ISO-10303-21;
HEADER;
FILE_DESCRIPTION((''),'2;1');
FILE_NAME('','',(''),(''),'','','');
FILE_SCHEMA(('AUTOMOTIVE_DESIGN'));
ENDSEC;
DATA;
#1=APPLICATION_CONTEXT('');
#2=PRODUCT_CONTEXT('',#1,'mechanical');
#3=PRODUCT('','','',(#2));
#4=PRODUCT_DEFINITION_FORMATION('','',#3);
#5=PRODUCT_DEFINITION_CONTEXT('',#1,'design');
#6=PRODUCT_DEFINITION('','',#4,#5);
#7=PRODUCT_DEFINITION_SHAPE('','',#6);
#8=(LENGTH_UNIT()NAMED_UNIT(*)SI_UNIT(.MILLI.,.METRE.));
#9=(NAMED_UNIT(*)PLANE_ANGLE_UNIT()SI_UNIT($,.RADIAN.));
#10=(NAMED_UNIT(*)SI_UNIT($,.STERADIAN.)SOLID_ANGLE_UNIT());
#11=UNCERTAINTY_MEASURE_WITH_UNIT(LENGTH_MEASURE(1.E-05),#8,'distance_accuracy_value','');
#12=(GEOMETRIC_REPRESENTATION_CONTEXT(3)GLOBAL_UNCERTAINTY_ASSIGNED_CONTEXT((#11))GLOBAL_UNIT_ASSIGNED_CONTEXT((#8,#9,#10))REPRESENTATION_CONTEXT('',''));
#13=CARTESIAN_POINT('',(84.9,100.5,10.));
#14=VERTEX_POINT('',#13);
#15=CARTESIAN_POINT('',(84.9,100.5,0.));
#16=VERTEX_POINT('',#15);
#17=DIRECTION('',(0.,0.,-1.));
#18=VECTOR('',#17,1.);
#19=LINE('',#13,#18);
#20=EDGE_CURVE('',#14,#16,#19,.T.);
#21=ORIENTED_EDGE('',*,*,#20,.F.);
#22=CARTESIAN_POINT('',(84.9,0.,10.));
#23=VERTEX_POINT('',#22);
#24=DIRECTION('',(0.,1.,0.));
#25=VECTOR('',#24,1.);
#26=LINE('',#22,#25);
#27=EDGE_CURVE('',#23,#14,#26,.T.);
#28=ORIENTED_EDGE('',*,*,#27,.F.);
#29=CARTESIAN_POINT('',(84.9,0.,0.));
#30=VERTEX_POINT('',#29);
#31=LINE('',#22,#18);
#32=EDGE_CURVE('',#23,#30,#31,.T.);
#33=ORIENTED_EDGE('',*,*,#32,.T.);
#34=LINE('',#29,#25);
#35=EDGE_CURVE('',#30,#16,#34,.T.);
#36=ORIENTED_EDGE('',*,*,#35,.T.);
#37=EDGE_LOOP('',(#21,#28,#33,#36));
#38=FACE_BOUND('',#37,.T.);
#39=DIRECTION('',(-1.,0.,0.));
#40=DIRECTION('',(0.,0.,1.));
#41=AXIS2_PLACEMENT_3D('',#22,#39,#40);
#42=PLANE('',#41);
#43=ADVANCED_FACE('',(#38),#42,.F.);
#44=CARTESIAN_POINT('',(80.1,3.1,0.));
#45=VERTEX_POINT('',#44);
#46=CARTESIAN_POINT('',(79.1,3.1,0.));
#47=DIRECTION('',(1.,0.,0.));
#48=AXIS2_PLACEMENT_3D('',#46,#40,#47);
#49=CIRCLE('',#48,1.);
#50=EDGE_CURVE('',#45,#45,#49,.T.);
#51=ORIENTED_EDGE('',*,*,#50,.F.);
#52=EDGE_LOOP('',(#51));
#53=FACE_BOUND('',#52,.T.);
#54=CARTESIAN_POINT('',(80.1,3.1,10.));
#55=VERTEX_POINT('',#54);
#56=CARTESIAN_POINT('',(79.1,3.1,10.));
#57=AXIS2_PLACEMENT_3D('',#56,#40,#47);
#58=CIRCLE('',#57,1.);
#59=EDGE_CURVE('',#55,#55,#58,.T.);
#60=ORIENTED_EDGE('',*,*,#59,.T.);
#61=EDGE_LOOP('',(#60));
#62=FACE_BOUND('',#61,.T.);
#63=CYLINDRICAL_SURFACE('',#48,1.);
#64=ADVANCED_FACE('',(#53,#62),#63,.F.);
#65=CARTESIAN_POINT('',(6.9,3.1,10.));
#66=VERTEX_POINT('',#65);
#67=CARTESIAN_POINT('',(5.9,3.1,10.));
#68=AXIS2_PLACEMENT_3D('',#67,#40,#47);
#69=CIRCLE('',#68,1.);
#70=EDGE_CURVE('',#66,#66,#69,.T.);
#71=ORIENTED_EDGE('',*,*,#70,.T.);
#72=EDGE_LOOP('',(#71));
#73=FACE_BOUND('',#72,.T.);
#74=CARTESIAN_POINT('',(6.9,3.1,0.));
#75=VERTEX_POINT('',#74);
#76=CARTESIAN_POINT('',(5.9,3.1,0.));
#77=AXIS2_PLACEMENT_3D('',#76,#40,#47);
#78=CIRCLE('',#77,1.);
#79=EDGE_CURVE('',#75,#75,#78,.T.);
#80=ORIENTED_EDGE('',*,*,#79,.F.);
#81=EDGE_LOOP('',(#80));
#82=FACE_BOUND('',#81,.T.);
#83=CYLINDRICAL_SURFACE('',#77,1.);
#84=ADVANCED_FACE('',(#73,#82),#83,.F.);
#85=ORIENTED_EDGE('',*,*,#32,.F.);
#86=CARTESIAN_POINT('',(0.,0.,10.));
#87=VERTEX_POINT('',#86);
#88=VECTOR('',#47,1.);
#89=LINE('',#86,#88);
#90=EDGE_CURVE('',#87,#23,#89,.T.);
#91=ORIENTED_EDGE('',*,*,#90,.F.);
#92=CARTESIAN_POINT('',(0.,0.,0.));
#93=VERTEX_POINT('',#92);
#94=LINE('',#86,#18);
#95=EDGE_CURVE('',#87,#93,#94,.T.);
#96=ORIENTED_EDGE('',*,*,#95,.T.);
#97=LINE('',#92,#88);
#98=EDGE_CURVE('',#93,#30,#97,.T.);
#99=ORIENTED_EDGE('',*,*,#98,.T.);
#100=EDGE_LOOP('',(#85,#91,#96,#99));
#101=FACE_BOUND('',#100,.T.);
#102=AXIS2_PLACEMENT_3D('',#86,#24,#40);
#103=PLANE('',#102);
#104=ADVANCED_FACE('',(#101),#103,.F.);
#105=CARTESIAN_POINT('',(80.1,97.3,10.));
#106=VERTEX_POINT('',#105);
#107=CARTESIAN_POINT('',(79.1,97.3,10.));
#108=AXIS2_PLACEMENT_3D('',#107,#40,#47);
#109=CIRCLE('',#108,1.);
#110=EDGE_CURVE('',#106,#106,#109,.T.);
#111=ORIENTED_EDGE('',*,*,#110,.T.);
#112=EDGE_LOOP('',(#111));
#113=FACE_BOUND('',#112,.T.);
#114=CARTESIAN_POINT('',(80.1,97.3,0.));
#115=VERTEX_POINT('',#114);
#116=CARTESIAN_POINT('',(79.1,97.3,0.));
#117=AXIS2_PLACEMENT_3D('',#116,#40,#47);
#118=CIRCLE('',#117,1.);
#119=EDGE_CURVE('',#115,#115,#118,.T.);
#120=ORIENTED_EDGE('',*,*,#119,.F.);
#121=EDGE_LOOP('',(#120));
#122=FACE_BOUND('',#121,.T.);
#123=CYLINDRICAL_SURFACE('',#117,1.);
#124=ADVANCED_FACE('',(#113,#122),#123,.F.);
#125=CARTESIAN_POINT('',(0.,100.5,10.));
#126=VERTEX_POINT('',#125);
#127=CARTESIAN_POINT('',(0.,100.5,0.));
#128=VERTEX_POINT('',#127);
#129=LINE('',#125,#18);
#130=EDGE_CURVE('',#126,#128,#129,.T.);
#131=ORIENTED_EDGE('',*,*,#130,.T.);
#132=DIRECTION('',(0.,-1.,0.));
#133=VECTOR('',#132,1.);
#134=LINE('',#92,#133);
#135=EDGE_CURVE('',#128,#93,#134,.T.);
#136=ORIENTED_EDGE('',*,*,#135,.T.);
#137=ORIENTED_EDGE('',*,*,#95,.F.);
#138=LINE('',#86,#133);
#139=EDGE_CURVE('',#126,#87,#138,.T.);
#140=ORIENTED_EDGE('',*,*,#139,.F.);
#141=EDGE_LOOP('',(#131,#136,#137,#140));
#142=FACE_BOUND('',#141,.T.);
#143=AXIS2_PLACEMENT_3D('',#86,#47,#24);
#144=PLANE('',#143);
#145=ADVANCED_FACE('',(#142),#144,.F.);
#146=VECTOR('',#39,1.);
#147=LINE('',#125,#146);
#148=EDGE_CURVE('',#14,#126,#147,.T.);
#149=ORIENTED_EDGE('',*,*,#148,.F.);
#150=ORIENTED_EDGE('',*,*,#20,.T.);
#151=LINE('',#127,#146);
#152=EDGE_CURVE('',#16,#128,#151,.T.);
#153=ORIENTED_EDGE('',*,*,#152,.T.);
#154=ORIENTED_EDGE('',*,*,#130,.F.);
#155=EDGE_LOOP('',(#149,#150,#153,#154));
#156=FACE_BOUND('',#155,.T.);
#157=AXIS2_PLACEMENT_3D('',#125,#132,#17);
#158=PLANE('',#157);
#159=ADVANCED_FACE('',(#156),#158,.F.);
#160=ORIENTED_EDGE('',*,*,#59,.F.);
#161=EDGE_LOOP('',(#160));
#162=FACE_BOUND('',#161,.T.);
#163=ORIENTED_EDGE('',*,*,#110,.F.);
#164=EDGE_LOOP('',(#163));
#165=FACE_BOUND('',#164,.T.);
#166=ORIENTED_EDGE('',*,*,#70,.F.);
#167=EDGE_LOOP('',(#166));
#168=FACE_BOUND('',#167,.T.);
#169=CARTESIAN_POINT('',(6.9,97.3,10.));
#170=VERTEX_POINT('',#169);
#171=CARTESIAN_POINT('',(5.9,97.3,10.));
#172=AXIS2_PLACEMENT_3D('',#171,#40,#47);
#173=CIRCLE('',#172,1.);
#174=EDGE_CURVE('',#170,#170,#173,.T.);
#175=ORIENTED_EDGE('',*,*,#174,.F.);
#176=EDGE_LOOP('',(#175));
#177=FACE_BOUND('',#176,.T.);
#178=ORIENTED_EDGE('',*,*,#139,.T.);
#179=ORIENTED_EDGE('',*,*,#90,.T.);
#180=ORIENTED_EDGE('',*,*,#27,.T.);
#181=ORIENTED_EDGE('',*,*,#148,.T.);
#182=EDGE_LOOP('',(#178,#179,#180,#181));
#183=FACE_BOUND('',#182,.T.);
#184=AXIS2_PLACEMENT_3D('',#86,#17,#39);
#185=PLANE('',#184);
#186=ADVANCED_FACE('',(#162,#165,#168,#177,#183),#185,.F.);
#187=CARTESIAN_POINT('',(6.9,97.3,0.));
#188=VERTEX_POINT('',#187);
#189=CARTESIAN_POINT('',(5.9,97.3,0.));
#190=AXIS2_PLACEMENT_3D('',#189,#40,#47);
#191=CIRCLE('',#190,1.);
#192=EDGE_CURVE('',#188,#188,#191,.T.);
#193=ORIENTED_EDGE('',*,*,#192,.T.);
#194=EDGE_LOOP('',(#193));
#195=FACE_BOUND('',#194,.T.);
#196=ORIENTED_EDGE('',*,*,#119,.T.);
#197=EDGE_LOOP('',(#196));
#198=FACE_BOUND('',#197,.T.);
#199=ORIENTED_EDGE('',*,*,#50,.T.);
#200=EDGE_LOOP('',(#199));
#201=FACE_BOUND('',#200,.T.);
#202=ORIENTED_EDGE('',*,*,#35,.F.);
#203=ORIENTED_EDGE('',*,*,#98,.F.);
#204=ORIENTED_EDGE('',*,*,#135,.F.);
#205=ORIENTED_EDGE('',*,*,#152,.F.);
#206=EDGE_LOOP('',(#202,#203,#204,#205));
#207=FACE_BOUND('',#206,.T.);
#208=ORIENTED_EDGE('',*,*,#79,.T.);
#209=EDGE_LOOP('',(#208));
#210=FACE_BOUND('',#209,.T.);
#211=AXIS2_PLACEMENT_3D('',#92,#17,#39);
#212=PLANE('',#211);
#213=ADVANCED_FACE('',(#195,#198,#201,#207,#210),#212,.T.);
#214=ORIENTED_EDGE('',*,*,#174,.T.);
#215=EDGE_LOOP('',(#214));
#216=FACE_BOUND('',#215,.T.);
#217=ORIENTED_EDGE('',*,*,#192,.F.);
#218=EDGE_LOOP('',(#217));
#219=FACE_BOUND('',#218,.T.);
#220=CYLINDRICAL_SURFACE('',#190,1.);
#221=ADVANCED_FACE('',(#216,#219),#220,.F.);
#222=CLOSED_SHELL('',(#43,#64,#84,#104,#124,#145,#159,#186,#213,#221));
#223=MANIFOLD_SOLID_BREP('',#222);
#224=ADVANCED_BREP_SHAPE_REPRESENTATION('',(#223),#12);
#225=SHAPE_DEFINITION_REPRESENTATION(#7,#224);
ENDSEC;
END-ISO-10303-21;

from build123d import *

# Parameters (mm, degrees)
ESQUISSE1_W             = 84.9
ESQUISSE1_H             = 100.5
BOSS_EXTRU_1_DEPTH      = 10
ESQUISSE2_R             = 1
ENL_V_MAT_EXTRU_1_DEPTH = 11


with BuildPart() as part:
    # Esquisse1 → Boss.-Extru.1 (new body)
    with BuildSketch(Plane.XY):
        with Locations((42.45, 50.25)):
            Rectangle(ESQUISSE1_W, ESQUISSE1_H)
    extrude(amount=BOSS_EXTRU_1_DEPTH)

    # Esquisse2 → Enlèv. mat.-Extru.1 (cut, through all)
    with BuildSketch(Plane.XY.offset(10)):
        with Locations((79.1, 97.3)):
            Circle(ESQUISSE2_R)
        with Locations((5.9, 97.3)):
            Circle(ESQUISSE2_R)
        with Locations((5.9, 3.1)):
            Circle(ESQUISSE2_R)
        with Locations((79.1, 3.1)):
            Circle(ESQUISSE2_R)
    extrude(amount=-ENL_V_MAT_EXTRU_1_DEPTH, mode=Mode.SUBTRACT)


solid = part.part
